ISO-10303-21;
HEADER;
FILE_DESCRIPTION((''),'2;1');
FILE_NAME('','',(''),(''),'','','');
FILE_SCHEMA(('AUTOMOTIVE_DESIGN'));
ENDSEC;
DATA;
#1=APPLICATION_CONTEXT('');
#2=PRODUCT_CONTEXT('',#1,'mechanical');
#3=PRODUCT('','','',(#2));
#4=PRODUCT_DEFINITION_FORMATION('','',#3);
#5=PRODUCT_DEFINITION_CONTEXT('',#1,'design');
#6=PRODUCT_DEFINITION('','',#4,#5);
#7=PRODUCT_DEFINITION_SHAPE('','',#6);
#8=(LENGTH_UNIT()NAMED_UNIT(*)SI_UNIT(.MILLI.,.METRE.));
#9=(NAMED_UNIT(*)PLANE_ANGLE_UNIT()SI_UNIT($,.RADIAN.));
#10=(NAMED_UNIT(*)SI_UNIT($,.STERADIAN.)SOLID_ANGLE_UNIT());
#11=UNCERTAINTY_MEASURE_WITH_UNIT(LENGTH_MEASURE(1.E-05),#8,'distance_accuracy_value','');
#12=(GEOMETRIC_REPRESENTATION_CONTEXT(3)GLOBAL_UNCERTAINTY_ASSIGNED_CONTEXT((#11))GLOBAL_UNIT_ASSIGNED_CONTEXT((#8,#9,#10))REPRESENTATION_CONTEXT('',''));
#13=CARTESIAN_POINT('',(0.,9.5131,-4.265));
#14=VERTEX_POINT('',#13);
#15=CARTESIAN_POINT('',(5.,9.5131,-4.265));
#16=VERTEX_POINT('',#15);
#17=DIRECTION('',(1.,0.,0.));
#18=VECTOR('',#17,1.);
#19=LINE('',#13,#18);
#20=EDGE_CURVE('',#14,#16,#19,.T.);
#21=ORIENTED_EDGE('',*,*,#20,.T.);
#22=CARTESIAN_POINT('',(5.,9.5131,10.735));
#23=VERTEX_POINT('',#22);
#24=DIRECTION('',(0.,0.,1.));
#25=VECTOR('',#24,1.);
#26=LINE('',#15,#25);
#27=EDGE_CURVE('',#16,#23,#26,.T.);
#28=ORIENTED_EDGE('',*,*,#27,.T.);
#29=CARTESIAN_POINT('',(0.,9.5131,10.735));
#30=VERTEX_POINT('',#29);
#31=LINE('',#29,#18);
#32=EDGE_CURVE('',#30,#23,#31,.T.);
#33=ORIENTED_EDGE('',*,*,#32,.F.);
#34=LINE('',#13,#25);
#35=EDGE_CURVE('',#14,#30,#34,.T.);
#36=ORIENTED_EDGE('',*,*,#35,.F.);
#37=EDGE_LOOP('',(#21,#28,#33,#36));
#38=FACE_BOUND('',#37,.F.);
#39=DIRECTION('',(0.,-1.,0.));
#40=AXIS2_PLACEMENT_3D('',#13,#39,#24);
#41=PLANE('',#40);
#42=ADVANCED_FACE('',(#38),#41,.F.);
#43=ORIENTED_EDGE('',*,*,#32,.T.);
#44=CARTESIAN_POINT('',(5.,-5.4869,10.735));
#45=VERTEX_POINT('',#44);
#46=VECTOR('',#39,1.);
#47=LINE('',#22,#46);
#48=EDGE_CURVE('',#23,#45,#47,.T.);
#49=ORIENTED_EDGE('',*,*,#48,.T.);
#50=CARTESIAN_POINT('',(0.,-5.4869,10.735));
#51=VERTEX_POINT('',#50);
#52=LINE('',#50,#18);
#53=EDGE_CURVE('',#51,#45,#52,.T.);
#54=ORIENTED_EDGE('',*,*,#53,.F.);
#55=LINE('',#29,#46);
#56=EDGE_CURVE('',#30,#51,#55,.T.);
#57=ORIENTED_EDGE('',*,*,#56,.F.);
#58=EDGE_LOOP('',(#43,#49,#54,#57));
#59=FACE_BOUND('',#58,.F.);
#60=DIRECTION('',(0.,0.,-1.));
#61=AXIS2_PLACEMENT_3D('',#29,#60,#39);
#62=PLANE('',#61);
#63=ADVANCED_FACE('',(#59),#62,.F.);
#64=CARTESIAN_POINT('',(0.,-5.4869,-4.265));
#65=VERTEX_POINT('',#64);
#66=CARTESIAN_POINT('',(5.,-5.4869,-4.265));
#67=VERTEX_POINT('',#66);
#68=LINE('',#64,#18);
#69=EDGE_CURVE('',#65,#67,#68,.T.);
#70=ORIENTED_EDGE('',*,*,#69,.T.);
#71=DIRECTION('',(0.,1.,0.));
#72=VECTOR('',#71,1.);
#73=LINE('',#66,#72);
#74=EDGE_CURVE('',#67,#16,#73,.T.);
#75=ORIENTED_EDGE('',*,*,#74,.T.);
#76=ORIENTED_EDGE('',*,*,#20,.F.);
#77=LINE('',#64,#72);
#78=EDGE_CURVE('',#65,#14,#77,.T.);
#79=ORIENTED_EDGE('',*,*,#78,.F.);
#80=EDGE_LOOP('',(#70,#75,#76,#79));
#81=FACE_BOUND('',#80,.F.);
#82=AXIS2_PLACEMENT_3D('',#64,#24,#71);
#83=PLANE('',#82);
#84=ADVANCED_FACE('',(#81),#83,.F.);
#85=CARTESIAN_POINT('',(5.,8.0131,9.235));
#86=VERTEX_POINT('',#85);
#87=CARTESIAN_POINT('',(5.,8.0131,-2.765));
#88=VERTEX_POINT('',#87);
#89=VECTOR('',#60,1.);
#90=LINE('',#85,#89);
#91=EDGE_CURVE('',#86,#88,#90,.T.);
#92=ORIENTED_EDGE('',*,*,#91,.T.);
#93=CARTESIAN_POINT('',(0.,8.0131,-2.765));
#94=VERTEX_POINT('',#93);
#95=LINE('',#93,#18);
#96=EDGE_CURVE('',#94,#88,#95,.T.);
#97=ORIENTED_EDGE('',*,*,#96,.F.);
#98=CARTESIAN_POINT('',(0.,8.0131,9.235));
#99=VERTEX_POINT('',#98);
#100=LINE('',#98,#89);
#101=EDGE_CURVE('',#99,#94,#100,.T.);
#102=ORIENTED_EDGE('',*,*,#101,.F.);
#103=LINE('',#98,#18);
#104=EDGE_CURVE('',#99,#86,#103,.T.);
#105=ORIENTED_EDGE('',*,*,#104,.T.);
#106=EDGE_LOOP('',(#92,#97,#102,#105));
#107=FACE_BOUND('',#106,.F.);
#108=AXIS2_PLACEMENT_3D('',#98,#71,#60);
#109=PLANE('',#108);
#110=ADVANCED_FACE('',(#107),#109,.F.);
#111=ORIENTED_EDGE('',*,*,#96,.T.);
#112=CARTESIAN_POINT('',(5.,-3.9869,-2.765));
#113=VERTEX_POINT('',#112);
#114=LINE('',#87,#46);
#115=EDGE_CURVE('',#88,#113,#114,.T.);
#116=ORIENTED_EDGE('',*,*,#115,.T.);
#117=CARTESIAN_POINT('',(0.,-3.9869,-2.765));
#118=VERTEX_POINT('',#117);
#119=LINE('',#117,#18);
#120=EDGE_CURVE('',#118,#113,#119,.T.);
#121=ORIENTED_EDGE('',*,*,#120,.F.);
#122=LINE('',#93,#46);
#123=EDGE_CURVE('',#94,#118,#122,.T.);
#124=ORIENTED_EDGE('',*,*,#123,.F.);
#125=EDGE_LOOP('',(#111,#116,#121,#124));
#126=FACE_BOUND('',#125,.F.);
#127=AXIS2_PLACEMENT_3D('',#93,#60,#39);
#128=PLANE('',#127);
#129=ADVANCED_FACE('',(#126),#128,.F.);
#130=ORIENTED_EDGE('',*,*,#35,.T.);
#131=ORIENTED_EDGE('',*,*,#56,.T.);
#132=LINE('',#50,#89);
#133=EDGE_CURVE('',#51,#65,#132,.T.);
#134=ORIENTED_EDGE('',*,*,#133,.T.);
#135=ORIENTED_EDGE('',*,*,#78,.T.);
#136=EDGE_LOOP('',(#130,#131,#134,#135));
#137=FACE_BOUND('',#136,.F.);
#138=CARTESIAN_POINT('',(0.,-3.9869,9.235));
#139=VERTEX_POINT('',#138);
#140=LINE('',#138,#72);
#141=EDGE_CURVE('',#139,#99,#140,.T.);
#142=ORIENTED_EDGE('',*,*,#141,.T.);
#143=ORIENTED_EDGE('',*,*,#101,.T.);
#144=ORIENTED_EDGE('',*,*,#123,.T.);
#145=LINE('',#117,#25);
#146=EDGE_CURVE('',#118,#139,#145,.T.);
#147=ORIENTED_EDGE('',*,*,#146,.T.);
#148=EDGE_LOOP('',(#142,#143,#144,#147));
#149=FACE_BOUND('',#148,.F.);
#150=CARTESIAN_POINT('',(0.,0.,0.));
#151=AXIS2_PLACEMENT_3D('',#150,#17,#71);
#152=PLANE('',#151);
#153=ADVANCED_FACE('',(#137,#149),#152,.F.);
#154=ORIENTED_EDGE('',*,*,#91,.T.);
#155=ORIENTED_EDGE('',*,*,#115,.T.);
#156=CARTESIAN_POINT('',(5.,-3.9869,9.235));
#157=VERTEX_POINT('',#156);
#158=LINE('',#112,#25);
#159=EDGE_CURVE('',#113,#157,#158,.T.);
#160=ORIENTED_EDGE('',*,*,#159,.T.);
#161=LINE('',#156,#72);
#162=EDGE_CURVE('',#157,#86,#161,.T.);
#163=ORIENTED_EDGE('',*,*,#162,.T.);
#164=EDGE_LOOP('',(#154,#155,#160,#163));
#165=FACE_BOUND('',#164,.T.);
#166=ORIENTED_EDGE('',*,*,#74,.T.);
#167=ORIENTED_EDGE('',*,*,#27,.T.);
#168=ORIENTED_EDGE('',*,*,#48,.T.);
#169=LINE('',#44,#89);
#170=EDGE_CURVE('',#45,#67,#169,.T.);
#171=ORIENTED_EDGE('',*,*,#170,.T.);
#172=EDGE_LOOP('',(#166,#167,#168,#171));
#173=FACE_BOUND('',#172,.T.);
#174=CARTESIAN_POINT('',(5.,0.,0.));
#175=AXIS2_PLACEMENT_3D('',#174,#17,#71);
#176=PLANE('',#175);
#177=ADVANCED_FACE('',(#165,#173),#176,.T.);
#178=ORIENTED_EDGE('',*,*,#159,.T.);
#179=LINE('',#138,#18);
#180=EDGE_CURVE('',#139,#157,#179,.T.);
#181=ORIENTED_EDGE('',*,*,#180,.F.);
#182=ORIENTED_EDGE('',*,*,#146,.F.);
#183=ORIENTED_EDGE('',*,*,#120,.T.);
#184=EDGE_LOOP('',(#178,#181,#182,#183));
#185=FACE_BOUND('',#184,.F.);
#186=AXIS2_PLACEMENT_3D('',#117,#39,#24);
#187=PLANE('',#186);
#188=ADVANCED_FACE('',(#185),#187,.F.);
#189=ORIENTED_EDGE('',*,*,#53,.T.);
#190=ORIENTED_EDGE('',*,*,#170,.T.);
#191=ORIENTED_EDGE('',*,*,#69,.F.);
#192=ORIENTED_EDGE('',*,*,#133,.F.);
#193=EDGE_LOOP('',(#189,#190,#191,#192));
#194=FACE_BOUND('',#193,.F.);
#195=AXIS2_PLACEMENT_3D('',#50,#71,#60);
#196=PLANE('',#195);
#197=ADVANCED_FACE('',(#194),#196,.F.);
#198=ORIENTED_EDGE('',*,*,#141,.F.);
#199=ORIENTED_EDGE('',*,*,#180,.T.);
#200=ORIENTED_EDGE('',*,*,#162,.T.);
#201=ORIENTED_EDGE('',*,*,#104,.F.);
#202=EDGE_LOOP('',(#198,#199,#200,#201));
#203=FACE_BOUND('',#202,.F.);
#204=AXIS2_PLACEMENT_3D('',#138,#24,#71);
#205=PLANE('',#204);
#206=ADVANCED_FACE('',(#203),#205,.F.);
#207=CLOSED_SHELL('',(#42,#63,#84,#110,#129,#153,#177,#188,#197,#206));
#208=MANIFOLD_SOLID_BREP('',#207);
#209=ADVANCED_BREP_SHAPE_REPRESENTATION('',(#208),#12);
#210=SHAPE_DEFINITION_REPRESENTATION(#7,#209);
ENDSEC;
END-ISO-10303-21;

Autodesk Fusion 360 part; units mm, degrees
sketch "Sketch1" plane through (0, 0, 0) normal (1, 0, 0) x (0, 1, 0)
  line L0 (9.5131, 10.735) -> (-5.4869, 10.735)
  line L1 (-5.4869, 10.735) -> (-5.4869, -4.265)
  line L2 (-5.4869, -4.265) -> (9.5131, -4.265)
  line L3 (9.5131, -4.265) -> (9.5131, 10.735)
  line L4 (9.5131, 10.735) -> (-5.4869, -4.265) construction
  line L5 (-5.4869, 10.735) -> (9.5131, -4.265) construction
  line L6 (8.0131, -2.765) -> (-3.9869, -2.765)
  line L7 (-3.9869, -2.765) -> (-3.9869, 9.235)
  line L8 (-3.9869, 9.235) -> (8.0131, 9.235)
  line L9 (8.0131, 9.235) -> (8.0131, -2.765)
  line L10 (8.0131, -2.765) -> (-3.9869, 9.235) construction
  line L11 (-3.9869, -2.765) -> (8.0131, 9.235) construction
  point P0 (2.0131, 3.235)
  point P1 (2.0131, 3.235)
  dimension "d3" = 15
  dimension "d4" = 15
  dimension "d5" = 12
  dimension "d6" = 12
extrude "Extrude1" add sketch "Sketch1" along normal blind 5
